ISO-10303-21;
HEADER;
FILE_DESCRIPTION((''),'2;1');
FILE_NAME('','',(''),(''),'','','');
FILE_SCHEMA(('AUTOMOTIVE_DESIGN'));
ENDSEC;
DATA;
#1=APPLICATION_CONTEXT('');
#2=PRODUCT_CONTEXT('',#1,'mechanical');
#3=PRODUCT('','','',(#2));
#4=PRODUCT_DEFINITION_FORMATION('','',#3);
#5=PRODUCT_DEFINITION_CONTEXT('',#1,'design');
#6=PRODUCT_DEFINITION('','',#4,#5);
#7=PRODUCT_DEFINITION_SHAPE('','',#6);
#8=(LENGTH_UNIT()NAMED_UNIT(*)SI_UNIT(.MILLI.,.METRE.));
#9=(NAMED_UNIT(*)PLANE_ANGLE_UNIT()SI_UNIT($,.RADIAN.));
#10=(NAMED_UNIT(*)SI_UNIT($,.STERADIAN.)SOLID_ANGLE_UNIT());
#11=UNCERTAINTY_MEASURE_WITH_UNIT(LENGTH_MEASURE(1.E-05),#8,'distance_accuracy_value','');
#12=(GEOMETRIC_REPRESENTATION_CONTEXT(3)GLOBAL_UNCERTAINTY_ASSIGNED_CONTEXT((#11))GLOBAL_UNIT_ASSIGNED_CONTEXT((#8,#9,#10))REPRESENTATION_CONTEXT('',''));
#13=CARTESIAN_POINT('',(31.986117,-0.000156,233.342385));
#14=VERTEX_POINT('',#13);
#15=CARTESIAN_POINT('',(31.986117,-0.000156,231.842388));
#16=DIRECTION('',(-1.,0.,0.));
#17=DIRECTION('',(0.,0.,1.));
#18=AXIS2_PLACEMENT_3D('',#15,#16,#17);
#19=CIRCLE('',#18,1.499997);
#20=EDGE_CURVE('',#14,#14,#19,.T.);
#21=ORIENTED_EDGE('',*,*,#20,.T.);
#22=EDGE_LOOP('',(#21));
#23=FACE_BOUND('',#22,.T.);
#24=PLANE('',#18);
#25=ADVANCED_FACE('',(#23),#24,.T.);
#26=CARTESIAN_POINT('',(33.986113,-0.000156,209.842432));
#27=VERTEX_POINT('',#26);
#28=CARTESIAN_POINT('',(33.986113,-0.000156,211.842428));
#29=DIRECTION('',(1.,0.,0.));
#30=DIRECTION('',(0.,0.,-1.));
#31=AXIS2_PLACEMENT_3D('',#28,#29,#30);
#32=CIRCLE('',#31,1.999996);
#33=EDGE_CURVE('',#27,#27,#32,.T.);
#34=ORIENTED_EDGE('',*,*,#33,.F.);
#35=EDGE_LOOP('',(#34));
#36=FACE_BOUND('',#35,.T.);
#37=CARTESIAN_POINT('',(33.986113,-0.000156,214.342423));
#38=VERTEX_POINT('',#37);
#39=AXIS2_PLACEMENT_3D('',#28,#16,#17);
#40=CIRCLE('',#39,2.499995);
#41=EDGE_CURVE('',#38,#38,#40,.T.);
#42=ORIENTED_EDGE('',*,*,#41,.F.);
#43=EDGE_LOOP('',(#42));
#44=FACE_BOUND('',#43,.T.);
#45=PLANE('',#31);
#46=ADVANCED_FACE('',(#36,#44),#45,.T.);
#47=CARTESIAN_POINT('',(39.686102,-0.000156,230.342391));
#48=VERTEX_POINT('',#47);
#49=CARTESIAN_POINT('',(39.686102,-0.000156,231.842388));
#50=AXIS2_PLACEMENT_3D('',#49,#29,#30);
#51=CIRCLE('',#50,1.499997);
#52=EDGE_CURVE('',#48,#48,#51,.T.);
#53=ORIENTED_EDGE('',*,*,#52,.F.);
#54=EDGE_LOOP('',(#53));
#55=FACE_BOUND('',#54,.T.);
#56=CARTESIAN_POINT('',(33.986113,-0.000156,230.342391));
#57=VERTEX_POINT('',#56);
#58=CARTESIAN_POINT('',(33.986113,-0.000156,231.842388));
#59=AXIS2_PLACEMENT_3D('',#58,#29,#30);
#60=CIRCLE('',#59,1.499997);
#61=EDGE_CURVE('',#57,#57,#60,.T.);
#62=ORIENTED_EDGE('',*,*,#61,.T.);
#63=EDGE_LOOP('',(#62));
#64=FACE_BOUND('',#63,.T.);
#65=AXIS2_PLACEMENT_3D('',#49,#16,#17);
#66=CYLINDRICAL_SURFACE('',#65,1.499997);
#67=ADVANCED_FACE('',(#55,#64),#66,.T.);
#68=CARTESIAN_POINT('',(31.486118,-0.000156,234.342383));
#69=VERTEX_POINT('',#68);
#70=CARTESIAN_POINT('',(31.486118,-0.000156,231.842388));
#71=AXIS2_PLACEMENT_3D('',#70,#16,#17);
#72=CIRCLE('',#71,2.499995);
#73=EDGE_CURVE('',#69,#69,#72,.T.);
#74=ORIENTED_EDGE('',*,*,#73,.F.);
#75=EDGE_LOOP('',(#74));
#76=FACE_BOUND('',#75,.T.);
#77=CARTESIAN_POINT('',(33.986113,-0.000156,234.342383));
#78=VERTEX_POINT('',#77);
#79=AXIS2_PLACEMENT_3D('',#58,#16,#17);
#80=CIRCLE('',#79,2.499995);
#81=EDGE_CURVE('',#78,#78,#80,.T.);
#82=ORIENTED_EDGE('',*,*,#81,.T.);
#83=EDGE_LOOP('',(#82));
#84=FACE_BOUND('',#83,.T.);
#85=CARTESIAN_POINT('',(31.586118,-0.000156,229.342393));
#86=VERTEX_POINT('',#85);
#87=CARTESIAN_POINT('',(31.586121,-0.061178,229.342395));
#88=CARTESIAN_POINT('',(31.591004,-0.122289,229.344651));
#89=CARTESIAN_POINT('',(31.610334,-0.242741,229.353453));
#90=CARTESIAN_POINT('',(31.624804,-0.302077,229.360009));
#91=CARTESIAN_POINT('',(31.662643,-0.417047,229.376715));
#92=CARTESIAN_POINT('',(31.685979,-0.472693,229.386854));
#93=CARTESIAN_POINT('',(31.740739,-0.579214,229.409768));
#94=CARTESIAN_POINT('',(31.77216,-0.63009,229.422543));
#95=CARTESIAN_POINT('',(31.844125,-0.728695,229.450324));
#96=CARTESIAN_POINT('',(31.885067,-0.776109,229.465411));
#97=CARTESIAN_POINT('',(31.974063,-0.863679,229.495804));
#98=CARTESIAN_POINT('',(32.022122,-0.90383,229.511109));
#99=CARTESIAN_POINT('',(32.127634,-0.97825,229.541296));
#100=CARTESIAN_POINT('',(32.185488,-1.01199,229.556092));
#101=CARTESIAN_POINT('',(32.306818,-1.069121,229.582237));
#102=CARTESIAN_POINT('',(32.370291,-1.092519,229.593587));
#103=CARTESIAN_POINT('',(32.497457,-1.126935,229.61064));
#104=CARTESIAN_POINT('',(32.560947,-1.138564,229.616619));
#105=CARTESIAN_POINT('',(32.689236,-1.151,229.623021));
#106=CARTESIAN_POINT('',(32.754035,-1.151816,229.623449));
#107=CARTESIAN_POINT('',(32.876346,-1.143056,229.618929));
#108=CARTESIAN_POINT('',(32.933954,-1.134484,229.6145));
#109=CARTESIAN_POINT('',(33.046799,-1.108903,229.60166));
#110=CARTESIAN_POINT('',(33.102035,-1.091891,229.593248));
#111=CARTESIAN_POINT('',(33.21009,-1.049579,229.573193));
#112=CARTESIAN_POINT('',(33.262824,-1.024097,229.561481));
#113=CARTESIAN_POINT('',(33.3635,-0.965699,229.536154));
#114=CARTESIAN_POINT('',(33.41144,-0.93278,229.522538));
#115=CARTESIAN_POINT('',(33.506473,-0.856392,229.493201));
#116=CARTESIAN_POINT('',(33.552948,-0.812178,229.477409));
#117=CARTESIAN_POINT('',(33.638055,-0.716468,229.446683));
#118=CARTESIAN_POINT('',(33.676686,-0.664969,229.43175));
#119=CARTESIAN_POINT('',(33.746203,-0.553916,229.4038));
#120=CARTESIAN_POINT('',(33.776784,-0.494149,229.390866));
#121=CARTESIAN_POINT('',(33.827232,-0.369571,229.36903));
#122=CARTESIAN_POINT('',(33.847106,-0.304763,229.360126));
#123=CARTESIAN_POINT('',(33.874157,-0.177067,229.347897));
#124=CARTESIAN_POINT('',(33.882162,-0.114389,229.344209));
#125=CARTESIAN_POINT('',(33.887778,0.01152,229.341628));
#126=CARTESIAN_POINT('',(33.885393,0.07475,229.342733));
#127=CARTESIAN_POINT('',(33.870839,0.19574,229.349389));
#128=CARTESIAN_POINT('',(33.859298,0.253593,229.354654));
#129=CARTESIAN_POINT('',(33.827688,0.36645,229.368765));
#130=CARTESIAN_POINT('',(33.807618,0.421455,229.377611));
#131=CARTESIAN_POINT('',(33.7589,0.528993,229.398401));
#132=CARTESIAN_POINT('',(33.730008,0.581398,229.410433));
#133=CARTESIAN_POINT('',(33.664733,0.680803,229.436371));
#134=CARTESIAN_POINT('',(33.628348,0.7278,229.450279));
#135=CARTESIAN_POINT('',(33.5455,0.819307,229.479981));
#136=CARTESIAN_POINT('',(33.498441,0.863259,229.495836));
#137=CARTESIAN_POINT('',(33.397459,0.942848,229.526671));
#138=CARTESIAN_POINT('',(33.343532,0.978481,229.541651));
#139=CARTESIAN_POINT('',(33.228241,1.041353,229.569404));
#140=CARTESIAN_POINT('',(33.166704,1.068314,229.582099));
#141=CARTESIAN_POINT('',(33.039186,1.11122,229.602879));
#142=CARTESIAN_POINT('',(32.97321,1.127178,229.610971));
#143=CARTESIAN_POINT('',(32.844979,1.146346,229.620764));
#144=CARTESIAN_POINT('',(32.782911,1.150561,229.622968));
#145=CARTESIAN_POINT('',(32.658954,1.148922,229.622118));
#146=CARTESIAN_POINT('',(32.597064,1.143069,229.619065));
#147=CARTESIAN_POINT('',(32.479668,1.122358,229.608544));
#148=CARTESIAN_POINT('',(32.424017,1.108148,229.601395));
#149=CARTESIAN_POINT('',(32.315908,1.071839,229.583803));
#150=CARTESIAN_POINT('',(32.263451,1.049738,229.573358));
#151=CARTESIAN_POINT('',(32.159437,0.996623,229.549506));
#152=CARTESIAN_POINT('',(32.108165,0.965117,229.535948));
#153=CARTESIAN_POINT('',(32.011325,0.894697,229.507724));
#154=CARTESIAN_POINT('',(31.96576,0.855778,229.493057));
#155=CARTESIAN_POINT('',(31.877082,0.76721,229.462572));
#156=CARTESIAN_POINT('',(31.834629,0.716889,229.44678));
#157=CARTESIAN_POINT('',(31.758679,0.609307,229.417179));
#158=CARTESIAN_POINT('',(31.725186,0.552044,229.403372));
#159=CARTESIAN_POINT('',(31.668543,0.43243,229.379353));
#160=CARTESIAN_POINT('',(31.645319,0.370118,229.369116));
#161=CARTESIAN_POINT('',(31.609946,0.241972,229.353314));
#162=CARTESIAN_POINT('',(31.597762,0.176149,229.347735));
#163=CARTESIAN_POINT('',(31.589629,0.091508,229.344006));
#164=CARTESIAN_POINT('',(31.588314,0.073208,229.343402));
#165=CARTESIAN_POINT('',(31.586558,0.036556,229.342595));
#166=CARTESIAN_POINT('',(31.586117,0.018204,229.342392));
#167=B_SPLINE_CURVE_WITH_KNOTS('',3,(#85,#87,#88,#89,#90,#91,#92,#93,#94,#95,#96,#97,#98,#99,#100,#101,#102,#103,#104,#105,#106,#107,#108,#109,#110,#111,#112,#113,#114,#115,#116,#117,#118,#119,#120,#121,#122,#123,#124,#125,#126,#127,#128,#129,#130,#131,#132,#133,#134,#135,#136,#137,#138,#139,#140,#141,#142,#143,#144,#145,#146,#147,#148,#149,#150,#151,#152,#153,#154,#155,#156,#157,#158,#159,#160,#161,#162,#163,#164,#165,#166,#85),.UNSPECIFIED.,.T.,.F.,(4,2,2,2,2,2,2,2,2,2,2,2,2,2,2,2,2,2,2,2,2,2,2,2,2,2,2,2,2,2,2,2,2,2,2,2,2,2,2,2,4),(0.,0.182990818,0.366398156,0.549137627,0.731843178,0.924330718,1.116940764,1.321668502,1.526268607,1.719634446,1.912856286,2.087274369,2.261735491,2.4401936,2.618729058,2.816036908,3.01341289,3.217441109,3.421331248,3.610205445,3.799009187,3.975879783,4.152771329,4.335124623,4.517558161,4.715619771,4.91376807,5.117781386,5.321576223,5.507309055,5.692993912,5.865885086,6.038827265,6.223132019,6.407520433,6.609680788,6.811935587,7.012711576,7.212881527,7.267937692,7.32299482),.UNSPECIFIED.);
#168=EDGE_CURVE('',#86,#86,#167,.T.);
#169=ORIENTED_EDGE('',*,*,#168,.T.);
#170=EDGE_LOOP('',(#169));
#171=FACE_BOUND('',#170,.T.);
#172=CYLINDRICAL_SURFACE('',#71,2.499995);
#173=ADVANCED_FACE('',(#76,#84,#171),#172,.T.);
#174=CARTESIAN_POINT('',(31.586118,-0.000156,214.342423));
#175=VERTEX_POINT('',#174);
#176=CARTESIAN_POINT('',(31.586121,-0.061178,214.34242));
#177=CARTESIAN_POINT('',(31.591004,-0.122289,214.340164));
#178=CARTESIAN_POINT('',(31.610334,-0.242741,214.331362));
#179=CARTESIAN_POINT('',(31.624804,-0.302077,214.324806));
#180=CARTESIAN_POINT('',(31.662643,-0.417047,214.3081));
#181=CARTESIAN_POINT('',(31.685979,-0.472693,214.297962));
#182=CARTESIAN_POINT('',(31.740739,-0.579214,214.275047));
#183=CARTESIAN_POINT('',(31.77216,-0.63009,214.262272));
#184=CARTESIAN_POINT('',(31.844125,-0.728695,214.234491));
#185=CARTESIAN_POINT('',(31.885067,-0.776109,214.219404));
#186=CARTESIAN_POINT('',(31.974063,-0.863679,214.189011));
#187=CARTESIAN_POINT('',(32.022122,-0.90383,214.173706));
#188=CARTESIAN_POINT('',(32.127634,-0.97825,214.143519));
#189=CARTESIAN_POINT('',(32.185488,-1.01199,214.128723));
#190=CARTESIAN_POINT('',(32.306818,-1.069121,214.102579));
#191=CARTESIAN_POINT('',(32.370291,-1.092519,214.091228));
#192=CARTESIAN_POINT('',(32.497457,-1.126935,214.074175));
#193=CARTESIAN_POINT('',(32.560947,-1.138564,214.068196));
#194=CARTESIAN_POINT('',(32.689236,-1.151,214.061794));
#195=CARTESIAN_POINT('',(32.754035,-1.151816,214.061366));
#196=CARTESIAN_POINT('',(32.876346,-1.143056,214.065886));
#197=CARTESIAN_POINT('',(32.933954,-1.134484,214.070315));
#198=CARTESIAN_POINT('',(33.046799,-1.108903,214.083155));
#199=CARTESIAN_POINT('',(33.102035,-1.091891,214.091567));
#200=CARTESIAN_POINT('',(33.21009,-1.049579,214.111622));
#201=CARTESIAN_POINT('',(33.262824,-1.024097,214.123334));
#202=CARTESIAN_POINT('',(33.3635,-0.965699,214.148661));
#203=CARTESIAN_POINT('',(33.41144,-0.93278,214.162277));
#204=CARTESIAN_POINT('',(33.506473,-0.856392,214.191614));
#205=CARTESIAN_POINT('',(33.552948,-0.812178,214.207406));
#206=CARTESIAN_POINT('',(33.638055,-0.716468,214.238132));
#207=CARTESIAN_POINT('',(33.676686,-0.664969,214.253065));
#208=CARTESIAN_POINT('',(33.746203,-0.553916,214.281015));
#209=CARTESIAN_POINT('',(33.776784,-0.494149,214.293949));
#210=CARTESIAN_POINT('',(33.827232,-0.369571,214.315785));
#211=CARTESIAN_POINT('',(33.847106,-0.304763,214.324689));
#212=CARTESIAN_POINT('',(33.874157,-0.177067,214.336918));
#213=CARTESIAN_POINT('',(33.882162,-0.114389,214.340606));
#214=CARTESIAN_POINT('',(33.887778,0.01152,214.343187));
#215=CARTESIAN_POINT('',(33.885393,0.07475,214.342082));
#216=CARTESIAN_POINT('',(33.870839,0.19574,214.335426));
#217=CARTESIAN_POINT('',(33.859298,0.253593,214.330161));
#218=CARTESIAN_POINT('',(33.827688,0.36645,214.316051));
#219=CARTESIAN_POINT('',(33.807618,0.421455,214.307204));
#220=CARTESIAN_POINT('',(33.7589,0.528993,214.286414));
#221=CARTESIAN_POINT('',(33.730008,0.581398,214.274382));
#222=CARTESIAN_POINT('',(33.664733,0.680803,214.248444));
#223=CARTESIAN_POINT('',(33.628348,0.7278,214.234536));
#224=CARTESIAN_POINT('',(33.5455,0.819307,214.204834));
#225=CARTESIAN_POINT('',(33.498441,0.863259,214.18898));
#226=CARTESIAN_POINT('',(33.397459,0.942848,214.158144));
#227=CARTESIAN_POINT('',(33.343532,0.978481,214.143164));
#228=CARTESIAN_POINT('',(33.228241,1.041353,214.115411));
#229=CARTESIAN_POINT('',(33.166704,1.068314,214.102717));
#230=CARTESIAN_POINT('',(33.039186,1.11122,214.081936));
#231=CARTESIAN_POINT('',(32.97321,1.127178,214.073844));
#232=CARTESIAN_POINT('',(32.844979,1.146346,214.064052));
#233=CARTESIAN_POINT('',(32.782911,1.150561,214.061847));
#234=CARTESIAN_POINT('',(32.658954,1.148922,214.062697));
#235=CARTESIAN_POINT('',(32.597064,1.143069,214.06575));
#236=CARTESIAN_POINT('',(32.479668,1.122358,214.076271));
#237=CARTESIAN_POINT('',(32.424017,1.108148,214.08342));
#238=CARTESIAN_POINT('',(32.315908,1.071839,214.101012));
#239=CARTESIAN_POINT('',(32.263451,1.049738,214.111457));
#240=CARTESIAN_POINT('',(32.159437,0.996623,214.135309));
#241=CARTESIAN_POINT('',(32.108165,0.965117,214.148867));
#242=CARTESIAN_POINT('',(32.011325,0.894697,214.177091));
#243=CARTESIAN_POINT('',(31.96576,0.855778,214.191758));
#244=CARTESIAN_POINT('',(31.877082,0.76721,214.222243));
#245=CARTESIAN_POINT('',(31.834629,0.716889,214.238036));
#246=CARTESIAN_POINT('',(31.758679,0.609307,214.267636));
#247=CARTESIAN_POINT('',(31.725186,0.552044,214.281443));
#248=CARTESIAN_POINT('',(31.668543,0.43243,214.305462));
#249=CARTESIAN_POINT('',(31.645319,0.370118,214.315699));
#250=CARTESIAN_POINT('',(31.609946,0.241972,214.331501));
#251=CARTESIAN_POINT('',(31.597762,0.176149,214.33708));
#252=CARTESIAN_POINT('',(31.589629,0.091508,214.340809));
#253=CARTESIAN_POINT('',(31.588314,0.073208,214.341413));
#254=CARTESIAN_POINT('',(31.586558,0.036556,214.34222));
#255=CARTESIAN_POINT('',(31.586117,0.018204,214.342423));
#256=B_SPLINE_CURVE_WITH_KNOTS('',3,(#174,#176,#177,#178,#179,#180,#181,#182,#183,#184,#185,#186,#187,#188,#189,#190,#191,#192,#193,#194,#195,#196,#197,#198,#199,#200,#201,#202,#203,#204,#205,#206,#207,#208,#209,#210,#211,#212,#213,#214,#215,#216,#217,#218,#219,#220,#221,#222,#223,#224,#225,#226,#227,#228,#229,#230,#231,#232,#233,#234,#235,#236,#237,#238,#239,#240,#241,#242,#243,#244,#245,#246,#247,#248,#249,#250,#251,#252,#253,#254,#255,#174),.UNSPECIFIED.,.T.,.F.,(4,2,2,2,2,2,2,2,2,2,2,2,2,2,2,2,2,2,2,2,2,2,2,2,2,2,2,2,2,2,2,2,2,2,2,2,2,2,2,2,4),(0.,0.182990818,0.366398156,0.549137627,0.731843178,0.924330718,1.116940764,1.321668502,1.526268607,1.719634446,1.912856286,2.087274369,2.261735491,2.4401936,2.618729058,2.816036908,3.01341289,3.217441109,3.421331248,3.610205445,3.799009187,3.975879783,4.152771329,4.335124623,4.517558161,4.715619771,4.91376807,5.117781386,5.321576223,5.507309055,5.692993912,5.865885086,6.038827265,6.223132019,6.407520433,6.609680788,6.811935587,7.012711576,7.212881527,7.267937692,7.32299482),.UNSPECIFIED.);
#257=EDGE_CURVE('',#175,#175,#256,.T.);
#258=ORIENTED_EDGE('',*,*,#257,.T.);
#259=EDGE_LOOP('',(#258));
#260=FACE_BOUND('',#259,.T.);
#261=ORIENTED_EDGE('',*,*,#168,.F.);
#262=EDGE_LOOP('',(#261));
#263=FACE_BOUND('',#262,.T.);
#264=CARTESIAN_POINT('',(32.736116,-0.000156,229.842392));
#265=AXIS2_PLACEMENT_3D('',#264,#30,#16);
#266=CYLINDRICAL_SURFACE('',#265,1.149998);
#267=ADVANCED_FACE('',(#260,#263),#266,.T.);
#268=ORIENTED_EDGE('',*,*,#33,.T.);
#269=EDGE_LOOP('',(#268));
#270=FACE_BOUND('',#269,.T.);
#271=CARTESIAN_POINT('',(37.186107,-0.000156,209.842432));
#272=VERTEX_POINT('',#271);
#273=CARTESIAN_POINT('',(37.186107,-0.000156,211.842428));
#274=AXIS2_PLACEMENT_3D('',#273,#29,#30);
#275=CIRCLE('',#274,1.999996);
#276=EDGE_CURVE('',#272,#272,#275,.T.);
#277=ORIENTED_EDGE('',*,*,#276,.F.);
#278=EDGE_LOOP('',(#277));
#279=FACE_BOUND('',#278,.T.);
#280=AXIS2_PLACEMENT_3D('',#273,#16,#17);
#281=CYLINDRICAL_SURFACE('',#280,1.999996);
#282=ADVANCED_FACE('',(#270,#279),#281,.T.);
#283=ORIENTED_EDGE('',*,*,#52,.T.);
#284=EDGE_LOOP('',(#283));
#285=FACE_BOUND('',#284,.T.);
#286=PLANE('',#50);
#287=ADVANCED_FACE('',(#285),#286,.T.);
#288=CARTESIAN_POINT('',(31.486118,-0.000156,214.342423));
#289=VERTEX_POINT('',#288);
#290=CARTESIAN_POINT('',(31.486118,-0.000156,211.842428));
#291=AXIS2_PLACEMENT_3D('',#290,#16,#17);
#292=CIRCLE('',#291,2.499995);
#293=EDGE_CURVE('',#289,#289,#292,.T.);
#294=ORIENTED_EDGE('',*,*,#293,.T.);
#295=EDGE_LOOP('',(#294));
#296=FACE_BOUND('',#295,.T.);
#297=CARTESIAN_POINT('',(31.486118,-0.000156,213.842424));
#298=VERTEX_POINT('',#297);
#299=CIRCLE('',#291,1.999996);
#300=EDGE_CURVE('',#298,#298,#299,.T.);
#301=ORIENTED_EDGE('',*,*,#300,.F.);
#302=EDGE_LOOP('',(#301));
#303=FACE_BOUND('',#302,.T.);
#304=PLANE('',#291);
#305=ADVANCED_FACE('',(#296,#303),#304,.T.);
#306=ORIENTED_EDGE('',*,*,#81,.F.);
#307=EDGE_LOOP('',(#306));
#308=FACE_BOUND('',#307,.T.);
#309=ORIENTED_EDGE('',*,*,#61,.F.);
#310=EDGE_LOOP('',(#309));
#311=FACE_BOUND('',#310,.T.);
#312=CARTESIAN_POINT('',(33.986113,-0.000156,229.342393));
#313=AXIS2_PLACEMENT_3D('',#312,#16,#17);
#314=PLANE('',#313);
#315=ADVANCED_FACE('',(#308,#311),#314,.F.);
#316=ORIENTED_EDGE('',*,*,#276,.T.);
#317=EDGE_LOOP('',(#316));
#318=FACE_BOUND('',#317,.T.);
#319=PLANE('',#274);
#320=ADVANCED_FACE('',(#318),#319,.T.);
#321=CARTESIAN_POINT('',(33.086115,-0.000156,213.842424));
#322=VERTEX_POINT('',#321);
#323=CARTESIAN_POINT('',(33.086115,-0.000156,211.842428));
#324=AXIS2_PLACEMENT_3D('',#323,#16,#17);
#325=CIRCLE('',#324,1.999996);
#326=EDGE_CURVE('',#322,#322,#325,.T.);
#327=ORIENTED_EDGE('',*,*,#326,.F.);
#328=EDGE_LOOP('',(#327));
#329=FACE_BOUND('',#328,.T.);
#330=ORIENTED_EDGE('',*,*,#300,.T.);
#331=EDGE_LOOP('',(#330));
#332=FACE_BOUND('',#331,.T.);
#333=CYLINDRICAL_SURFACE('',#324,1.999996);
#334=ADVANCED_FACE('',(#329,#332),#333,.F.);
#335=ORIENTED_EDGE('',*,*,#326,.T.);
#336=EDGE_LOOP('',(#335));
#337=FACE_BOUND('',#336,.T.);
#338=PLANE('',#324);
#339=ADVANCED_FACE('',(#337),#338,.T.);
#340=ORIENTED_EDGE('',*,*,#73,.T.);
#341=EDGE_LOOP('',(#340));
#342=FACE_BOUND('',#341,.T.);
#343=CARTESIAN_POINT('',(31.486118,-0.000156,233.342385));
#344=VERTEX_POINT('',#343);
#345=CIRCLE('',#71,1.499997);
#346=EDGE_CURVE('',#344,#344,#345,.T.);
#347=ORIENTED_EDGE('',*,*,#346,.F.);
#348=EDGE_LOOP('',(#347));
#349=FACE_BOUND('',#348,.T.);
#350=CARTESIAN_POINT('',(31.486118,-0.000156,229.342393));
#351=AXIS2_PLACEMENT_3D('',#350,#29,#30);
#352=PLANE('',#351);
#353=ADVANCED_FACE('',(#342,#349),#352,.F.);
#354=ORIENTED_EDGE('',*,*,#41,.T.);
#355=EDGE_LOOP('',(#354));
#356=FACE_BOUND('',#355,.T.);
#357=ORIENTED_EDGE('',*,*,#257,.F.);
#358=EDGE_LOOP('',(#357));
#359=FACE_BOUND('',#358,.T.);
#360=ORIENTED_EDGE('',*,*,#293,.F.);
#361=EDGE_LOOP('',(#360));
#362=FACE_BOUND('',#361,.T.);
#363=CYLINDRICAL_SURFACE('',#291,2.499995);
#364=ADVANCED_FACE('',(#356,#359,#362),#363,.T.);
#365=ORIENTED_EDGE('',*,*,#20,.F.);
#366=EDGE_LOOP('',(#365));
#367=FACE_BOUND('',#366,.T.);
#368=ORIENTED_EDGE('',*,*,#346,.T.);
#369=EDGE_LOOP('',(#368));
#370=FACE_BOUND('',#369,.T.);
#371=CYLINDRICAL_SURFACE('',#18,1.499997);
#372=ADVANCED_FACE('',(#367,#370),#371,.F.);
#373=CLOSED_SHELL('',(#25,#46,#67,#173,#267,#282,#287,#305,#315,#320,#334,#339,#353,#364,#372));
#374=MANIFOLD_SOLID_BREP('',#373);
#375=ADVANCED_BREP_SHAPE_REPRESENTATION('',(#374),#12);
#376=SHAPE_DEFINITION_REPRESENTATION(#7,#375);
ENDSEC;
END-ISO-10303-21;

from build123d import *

# Parameters (mm, degrees)
SKETCH1_R           = 29.21
BOSS_EXTRUDE1_DEPTH = 406.4
SKETCH2_W           = 63.5
SKETCH2_H           = 63.5
SKETCH3_R           = 50.8
BOSS_EXTRUDE2_DEPTH = 81.28
SKETCH10_W          = 63.5
SKETCH10_H          = 63.5
SKETCH5_R           = 50.8
CUT_EXTRUDE1_DEPTH  = 40.64
SKETCH11_R          = 38.1
BOSS_EXTRUDE4_DEPTH = 144.78
SKETCH16_R          = 38.1
CUT_EXTRUDE2_DEPTH  = 12.7
SCALE1_SCALE        = 0.03937


with BuildPart() as part:
    # Sketch1 → Boss-Extrude1 (new body)
    with BuildSketch(Plane.XY):
        Circle(SKETCH1_R)
    extrude(amount=BOSS_EXTRUDE1_DEPTH)

    # Sketch2 → Revolve1 (revolve)
    with BuildSketch(Plane(origin=(0, 0, 0), x_dir=(1, 0, 0), z_dir=(0, 1, 0))):
        with Locations((0, 19.05)):
            Rectangle(SKETCH2_W, SKETCH2_H)
    revolve(axis=Axis((-31.75, 0, -50.8), (1, 0, 0)))

    # Sketch3 → Boss-Extrude2 (add)
    with BuildSketch(Plane(origin=(31.75, 0, 0), x_dir=(0, 0, -1), z_dir=(1, 0, 0))):
        with Locations((50.8, 0)):
            Circle(SKETCH3_R)
    extrude(amount=BOSS_EXTRUDE2_DEPTH)

    # Sketch10 → Revolve2 (revolve)
    with BuildSketch(Plane(origin=(0, 0, 0), x_dir=(1, 0, 0), z_dir=(0, 1, 0)), mode=Mode.PRIVATE) as revolve2_sk:
        with Locations((0, -425.45)):
            Rectangle(SKETCH10_W, SKETCH10_H)
    revolve(revolve2_sk.sketch.rotate(Axis((-31.75, 0, 457.2), (1, 0, 0)), 180), axis=Axis((-31.75, 0, 457.2), (1, 0, 0)))

    # Sketch5 → Cut-Extrude1 (cut)
    with BuildSketch(Plane.ZY.offset(31.75)):
        with Locations(Location((-50.8, 0, 0), (0, 0, 180))):
            Circle(SKETCH5_R)
    extrude(amount=-CUT_EXTRUDE1_DEPTH, mode=Mode.SUBTRACT)

    # Sketch11 → Boss-Extrude4 (add)
    with BuildSketch(Plane(origin=(31.75, 0, 0), x_dir=(0, 0, -1), z_dir=(1, 0, 0))):
        with Locations((-457.2, 0)):
            Circle(SKETCH11_R)
    extrude(amount=BOSS_EXTRUDE4_DEPTH)

    # Sketch16 → Cut-Extrude2 (cut)
    with BuildSketch(Plane.ZY.offset(31.75)):
        with Locations(Location((457.2, 0, 0), (0, 0, 180))):
            Circle(SKETCH16_R)
    extrude(amount=-CUT_EXTRUDE2_DEPTH, mode=Mode.SUBTRACT)


with BuildPart() as part_1:
    # Scale1: scaled about (34.078233281, 5.4627e-05, 222.606303222)
    add(part.part.scale(SCALE1_SCALE).moved(Location((32.736573237, 5.2476e-05, 213.842293064))))


solid = part_1.part
